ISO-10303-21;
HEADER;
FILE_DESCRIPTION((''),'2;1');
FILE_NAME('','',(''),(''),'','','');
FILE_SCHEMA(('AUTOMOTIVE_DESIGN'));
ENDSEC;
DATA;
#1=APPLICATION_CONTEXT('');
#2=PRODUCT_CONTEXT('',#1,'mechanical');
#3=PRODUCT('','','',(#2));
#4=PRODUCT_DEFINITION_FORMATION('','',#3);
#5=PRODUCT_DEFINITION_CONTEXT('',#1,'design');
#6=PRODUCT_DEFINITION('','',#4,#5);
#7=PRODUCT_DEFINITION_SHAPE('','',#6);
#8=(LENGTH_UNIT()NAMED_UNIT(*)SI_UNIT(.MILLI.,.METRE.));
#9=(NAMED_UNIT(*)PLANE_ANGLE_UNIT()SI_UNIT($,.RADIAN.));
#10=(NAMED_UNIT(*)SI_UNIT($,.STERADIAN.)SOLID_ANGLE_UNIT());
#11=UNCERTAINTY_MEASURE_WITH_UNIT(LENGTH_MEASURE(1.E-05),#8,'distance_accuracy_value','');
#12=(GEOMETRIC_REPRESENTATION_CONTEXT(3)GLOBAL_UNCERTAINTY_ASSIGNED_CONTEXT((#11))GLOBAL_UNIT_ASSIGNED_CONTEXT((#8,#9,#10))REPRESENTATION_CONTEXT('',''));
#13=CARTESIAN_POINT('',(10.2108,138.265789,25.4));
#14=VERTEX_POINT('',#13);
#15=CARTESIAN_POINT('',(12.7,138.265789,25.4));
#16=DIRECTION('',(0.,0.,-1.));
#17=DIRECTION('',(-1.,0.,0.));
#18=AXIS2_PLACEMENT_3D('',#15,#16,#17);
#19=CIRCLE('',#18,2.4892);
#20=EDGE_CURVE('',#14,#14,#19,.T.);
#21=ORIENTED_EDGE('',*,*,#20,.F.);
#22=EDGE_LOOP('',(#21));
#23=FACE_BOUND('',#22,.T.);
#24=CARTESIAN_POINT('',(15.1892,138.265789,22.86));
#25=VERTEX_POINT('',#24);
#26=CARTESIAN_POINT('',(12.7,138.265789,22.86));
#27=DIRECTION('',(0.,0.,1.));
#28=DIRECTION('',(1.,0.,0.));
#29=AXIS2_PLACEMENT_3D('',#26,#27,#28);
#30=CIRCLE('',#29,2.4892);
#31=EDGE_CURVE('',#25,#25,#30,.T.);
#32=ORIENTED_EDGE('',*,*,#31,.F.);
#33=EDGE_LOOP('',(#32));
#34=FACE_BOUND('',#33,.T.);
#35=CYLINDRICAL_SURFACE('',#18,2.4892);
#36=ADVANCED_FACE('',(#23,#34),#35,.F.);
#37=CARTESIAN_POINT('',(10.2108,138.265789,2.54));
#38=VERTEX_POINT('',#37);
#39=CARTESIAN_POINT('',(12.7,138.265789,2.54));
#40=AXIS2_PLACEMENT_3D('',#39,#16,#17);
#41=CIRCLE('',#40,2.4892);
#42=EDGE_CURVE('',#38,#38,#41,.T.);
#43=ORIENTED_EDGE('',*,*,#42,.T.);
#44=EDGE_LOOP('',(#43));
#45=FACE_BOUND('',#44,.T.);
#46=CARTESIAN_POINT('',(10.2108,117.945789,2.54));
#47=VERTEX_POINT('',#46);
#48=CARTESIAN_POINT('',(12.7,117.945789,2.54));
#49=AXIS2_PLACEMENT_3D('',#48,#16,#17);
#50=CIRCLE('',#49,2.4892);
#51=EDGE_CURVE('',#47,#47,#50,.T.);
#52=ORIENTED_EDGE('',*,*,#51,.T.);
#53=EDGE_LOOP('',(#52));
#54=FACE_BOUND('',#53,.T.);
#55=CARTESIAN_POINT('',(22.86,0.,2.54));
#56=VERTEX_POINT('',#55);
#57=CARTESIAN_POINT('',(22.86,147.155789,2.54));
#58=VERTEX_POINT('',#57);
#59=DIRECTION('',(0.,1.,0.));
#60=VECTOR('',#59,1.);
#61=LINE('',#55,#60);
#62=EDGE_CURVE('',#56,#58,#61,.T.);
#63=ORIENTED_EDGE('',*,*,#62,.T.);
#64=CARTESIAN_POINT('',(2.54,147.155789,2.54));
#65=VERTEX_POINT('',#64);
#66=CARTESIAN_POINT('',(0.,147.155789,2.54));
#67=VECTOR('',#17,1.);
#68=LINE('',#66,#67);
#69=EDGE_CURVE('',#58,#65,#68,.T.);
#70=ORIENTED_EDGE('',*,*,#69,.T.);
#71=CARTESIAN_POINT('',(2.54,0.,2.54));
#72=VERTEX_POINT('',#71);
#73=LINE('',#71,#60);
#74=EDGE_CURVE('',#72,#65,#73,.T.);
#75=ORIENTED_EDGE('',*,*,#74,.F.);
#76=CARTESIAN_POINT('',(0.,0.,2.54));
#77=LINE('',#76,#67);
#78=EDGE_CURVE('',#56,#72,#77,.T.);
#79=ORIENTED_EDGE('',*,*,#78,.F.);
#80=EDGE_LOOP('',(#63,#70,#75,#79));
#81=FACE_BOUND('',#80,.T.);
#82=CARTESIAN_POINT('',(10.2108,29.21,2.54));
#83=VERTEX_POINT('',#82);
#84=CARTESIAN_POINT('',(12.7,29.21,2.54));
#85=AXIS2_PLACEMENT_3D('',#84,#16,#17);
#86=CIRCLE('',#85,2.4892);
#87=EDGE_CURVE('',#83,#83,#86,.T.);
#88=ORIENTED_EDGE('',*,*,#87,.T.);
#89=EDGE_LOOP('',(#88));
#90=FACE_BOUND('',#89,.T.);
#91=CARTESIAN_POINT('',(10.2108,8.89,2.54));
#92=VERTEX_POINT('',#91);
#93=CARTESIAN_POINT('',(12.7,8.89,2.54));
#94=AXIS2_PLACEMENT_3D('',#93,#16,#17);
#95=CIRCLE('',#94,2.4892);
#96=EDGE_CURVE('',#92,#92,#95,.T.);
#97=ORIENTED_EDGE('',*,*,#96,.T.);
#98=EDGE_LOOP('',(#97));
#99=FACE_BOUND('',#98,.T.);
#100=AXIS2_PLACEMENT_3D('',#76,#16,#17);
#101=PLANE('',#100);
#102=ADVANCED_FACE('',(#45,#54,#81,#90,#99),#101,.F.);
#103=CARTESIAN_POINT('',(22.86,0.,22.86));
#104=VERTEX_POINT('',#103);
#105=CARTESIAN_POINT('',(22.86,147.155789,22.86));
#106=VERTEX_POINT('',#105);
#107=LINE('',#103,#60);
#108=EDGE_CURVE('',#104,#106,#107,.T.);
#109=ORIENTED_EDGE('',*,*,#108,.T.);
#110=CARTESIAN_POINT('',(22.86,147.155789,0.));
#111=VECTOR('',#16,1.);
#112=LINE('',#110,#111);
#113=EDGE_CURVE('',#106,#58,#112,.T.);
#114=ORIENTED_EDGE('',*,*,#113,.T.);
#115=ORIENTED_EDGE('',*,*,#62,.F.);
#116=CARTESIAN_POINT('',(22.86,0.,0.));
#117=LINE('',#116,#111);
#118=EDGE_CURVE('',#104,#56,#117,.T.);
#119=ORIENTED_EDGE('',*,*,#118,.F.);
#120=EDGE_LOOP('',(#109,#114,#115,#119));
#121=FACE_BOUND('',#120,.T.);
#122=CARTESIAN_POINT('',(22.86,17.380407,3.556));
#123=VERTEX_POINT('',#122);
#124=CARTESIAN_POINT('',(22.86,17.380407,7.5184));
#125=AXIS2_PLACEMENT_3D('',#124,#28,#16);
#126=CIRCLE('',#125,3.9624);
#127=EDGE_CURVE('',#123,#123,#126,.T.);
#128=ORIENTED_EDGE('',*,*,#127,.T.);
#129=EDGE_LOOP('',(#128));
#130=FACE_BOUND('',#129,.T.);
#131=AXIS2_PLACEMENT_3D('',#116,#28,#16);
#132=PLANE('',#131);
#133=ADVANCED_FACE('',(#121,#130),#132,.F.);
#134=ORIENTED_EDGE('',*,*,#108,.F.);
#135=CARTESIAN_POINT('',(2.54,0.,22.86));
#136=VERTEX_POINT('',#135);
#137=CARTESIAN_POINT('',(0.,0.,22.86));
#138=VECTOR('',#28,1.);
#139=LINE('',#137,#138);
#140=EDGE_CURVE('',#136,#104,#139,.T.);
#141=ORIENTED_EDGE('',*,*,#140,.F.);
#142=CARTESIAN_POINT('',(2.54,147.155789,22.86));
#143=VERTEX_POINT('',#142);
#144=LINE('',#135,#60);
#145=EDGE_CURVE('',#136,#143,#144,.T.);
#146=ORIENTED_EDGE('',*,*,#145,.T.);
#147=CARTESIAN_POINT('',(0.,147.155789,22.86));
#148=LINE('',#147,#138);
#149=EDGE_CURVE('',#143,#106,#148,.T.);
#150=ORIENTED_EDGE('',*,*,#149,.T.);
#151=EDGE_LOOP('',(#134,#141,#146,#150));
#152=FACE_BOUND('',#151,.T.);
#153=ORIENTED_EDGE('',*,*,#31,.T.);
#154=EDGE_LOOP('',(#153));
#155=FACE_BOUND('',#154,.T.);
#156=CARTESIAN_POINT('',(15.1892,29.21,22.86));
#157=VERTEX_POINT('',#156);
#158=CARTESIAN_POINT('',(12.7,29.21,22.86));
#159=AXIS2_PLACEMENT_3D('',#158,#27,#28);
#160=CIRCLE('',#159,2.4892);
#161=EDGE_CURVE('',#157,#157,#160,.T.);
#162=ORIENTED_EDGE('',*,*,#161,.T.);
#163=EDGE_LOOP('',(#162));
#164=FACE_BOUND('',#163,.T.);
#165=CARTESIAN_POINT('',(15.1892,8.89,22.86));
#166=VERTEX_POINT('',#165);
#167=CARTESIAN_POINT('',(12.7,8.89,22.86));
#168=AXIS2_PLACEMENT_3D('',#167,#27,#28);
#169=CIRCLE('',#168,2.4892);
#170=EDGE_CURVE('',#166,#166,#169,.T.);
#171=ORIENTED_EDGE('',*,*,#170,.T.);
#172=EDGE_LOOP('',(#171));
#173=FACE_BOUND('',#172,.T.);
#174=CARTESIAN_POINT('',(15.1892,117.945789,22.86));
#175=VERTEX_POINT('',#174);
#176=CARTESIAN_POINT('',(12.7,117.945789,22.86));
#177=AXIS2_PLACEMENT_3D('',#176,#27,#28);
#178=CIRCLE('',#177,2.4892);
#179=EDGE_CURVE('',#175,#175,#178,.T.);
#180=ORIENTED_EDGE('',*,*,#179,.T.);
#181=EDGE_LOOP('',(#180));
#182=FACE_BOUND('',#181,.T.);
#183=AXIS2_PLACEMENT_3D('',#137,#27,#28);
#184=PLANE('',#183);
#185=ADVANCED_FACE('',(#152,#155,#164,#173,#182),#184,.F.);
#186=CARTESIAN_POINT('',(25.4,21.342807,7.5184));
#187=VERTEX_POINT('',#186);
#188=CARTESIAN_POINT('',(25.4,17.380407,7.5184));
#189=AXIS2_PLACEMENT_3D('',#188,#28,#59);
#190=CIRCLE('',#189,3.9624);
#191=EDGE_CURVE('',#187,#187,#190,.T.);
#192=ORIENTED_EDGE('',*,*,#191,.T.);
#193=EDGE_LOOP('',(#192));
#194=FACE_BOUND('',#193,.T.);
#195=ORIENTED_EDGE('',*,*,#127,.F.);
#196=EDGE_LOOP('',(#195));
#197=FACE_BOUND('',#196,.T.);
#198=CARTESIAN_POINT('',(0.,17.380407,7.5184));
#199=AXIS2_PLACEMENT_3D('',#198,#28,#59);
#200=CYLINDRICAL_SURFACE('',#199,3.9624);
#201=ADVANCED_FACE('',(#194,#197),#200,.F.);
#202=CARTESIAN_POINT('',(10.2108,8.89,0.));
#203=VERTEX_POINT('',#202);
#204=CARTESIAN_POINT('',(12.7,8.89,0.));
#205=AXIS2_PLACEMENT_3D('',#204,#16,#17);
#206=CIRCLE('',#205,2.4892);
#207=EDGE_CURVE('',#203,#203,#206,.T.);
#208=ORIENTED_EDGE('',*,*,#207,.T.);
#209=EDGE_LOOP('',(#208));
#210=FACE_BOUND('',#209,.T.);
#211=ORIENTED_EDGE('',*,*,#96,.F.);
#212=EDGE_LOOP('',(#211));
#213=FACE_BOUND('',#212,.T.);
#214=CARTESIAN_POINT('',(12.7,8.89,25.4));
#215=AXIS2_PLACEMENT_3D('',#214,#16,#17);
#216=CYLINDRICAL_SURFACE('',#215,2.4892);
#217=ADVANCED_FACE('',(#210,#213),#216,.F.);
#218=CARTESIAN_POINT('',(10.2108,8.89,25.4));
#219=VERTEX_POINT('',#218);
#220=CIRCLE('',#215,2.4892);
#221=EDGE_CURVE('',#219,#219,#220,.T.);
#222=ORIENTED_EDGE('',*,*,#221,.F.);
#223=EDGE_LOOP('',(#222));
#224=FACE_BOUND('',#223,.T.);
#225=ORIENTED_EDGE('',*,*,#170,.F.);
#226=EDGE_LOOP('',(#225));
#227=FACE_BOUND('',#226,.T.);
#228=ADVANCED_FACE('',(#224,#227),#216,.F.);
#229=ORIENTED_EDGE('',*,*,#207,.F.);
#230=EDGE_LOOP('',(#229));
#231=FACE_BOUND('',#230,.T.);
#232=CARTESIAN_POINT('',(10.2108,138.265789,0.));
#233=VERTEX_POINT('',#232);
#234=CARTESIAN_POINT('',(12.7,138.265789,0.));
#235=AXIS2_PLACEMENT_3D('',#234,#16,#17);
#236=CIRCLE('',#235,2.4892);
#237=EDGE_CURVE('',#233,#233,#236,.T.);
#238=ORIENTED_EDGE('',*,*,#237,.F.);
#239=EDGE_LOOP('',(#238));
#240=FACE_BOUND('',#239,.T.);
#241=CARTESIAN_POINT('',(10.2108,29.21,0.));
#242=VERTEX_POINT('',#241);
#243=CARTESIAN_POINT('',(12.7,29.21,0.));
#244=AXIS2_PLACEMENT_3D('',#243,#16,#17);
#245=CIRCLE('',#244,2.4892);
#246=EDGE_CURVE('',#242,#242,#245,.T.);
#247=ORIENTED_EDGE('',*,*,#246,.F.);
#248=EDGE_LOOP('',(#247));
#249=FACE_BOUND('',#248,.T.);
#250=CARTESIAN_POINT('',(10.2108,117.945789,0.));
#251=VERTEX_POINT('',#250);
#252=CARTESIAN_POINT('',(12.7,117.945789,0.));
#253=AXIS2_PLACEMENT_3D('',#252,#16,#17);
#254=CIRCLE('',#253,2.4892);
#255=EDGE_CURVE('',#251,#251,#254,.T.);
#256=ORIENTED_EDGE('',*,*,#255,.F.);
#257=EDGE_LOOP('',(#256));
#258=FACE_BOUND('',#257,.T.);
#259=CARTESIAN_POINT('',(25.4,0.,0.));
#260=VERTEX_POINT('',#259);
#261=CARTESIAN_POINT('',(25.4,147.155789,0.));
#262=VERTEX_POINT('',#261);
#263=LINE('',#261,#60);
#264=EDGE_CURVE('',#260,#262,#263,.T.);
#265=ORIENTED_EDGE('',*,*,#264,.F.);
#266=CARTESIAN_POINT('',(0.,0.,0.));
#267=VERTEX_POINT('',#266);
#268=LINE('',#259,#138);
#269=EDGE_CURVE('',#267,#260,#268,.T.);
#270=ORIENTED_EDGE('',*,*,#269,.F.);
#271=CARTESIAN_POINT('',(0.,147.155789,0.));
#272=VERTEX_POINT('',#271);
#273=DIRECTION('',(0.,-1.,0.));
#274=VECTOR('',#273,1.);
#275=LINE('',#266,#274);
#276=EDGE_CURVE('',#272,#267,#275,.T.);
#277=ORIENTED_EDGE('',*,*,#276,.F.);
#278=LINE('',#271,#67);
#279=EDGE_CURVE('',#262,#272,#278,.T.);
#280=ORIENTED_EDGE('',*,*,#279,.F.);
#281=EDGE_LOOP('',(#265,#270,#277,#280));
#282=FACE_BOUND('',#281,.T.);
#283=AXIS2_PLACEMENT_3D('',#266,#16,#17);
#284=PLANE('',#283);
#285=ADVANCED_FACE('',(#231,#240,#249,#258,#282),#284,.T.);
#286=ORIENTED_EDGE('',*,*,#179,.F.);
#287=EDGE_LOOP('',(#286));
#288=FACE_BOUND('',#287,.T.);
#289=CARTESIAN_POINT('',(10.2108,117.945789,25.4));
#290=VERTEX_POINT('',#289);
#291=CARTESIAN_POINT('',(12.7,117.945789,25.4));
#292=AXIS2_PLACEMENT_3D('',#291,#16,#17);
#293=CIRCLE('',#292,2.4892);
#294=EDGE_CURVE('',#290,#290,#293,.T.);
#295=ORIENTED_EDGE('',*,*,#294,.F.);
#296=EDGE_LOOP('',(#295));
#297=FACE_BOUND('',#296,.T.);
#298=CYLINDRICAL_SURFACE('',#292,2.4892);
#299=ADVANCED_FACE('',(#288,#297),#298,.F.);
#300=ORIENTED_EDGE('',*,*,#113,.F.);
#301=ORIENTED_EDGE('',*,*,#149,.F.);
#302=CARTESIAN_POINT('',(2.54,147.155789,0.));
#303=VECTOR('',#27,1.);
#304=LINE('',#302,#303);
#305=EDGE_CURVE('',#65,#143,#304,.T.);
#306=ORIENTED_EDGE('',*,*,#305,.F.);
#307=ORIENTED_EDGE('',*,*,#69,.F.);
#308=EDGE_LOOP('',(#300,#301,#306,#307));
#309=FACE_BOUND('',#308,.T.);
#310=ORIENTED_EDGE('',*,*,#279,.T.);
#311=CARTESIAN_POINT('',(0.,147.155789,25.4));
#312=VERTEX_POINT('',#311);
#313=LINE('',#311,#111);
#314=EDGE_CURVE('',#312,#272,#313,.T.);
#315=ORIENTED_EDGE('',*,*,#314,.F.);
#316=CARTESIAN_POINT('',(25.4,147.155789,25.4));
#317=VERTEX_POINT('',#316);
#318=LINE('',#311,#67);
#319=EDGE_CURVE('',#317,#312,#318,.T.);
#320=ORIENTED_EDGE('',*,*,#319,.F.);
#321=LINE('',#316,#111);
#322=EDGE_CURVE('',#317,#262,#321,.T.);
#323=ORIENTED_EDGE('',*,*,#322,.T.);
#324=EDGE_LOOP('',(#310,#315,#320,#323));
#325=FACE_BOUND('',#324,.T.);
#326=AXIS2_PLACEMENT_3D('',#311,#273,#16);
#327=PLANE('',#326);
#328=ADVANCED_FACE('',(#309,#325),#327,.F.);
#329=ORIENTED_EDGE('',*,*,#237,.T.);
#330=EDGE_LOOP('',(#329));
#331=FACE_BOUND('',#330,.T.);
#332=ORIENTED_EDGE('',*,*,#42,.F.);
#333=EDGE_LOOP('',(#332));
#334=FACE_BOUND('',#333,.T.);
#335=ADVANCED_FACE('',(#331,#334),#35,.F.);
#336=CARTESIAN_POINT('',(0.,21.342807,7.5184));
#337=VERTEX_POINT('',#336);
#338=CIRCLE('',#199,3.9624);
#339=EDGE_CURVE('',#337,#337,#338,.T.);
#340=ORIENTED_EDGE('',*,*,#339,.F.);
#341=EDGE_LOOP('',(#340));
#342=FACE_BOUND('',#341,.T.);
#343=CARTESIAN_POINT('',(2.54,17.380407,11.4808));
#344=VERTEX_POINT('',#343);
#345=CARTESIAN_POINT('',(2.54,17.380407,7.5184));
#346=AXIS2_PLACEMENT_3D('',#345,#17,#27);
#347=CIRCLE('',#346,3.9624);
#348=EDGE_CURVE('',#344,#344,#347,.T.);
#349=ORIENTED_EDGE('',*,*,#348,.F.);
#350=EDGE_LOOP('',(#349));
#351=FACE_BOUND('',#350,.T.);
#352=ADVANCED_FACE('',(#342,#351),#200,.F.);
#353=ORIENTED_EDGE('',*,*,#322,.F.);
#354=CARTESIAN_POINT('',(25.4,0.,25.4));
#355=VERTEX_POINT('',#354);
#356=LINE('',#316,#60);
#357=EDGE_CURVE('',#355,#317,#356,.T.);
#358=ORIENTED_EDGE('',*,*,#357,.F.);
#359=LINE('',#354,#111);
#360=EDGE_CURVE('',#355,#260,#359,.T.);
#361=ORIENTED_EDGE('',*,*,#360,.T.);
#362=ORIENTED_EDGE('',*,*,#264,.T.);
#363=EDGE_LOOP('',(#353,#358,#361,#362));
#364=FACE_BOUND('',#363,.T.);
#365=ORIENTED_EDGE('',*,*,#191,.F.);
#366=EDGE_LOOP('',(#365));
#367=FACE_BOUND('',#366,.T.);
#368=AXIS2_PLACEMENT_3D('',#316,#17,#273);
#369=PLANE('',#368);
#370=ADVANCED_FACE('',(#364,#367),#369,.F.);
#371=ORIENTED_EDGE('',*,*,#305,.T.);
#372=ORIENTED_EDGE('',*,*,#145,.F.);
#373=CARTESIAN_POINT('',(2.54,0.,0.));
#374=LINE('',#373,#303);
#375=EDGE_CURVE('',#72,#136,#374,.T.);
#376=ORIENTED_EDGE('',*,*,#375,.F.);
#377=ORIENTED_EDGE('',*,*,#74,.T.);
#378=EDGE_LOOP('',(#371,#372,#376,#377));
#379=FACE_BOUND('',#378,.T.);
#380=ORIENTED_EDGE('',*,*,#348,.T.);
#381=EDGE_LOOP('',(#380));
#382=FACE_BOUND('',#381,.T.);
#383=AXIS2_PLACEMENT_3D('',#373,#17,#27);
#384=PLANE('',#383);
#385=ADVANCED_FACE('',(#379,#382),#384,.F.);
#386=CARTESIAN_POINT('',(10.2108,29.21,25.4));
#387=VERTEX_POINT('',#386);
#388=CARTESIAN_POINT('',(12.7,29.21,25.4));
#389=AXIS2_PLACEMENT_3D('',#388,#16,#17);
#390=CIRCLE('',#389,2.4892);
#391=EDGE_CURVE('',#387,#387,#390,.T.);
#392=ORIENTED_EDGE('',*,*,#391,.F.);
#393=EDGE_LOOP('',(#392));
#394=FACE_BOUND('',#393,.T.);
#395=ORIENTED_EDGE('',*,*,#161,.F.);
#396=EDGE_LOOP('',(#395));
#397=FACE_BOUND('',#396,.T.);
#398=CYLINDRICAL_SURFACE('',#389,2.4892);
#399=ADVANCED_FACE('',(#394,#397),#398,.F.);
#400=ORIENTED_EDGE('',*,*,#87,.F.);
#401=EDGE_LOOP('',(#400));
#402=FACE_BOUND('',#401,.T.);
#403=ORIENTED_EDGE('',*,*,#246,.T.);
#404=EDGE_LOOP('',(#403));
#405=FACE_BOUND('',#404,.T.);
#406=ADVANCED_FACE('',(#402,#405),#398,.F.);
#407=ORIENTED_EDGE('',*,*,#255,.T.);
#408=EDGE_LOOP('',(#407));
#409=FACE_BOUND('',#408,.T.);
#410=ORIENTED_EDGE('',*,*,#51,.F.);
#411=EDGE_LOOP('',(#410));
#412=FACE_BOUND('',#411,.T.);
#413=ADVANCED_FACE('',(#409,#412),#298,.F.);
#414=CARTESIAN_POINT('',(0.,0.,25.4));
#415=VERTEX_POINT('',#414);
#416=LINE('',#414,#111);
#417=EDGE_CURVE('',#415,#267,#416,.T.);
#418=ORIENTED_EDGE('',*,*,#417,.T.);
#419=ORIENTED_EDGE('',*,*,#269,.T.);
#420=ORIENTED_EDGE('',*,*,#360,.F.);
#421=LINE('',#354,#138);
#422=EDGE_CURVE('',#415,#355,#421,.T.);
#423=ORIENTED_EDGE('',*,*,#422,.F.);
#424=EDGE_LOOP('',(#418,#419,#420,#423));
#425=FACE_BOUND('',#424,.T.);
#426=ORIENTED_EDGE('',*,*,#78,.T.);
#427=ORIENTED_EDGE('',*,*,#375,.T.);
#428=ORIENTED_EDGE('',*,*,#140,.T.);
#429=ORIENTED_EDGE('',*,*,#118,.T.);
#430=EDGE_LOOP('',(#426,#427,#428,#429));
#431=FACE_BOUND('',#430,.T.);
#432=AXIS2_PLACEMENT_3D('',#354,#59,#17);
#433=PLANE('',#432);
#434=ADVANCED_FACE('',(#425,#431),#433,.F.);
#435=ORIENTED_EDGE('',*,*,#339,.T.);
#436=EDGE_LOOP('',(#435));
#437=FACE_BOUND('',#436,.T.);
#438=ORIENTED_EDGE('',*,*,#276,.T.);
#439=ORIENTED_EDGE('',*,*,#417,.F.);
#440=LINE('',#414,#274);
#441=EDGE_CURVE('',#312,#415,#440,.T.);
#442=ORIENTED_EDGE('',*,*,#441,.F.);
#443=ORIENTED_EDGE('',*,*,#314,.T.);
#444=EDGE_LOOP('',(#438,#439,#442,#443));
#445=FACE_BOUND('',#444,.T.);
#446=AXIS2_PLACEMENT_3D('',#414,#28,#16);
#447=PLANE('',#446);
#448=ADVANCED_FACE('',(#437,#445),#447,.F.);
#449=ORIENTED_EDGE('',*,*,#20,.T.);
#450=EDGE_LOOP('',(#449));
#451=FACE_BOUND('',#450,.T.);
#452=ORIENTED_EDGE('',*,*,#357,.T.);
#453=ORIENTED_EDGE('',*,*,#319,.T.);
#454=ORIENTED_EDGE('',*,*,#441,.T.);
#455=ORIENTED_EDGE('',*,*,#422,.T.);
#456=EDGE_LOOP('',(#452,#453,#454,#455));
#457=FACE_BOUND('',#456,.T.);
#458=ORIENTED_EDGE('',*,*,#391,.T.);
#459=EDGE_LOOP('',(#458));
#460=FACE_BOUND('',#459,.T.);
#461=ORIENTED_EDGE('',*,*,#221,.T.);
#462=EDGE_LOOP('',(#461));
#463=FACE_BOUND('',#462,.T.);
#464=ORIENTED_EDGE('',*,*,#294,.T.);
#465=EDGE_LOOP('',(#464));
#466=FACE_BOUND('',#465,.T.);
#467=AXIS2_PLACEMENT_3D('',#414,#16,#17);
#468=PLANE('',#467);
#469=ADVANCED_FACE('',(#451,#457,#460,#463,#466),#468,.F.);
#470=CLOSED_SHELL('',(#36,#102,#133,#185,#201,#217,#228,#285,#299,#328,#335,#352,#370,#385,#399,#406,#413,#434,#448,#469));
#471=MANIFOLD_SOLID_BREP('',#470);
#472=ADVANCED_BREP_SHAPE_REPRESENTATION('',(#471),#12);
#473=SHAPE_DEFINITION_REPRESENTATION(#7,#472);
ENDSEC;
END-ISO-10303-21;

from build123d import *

# Parameters (mm, degrees)
SKETCH1_W           = 25.4
SKETCH1_H           = 147.155789
BOSS_EXTRUDE1_DEPTH = 25.4
SKETCH2_W           = 20.32
SKETCH2_H           = 20.32
CUT_EXTRUDE1_DEPTH  = 148.155789
SKETCH3_R           = 2.4892
CUT_EXTRUDE2_DEPTH  = 26.4
SKETCH5_R           = 3.9624
CUT_EXTRUDE3_DEPTH  = 26.4


with BuildPart() as part:
    # Sketch1 → Boss-Extrude1 (new body)
    with BuildSketch(Plane.XY):
        with Locations((12.7, 73.5778945)):
            Rectangle(SKETCH1_W, SKETCH1_H)
    extrude(amount=BOSS_EXTRUDE1_DEPTH)

    # Sketch2 → Cut-Extrude1 (cut, through all)
    with BuildSketch(Plane(origin=(0, 147.155789, 0), x_dir=(1, 0, 0), z_dir=(0, 1, 0))):
        with Locations((12.7, -12.7)):
            Rectangle(SKETCH2_W, SKETCH2_H)
    extrude(amount=-CUT_EXTRUDE1_DEPTH, mode=Mode.SUBTRACT)

    # Sketch3 → Cut-Extrude2 (cut, through all)
    with BuildSketch(Plane(origin=(0, 0, 0), x_dir=(-1, 0, 0), z_dir=(0, 0, -1))):
        with Locations((-12.7, 138.265789)):
            Circle(SKETCH3_R)
        with Locations((-12.7, 117.945789)):
            Circle(SKETCH3_R)
        with Locations((-12.7, 29.21)):
            Circle(SKETCH3_R)
        with Locations((-12.7, 8.89)):
            Circle(SKETCH3_R)
    extrude(amount=-CUT_EXTRUDE2_DEPTH, mode=Mode.SUBTRACT)

    # Sketch5 → Cut-Extrude3 (cut, through all)
    with BuildSketch(Plane(origin=(25.4, 0, 0), x_dir=(0, 0, -1), z_dir=(1, 0, 0))):
        with Locations((-7.5184, 17.3804072)):
            Circle(SKETCH5_R)
    extrude(amount=-CUT_EXTRUDE3_DEPTH, mode=Mode.SUBTRACT)


solid = part.part
